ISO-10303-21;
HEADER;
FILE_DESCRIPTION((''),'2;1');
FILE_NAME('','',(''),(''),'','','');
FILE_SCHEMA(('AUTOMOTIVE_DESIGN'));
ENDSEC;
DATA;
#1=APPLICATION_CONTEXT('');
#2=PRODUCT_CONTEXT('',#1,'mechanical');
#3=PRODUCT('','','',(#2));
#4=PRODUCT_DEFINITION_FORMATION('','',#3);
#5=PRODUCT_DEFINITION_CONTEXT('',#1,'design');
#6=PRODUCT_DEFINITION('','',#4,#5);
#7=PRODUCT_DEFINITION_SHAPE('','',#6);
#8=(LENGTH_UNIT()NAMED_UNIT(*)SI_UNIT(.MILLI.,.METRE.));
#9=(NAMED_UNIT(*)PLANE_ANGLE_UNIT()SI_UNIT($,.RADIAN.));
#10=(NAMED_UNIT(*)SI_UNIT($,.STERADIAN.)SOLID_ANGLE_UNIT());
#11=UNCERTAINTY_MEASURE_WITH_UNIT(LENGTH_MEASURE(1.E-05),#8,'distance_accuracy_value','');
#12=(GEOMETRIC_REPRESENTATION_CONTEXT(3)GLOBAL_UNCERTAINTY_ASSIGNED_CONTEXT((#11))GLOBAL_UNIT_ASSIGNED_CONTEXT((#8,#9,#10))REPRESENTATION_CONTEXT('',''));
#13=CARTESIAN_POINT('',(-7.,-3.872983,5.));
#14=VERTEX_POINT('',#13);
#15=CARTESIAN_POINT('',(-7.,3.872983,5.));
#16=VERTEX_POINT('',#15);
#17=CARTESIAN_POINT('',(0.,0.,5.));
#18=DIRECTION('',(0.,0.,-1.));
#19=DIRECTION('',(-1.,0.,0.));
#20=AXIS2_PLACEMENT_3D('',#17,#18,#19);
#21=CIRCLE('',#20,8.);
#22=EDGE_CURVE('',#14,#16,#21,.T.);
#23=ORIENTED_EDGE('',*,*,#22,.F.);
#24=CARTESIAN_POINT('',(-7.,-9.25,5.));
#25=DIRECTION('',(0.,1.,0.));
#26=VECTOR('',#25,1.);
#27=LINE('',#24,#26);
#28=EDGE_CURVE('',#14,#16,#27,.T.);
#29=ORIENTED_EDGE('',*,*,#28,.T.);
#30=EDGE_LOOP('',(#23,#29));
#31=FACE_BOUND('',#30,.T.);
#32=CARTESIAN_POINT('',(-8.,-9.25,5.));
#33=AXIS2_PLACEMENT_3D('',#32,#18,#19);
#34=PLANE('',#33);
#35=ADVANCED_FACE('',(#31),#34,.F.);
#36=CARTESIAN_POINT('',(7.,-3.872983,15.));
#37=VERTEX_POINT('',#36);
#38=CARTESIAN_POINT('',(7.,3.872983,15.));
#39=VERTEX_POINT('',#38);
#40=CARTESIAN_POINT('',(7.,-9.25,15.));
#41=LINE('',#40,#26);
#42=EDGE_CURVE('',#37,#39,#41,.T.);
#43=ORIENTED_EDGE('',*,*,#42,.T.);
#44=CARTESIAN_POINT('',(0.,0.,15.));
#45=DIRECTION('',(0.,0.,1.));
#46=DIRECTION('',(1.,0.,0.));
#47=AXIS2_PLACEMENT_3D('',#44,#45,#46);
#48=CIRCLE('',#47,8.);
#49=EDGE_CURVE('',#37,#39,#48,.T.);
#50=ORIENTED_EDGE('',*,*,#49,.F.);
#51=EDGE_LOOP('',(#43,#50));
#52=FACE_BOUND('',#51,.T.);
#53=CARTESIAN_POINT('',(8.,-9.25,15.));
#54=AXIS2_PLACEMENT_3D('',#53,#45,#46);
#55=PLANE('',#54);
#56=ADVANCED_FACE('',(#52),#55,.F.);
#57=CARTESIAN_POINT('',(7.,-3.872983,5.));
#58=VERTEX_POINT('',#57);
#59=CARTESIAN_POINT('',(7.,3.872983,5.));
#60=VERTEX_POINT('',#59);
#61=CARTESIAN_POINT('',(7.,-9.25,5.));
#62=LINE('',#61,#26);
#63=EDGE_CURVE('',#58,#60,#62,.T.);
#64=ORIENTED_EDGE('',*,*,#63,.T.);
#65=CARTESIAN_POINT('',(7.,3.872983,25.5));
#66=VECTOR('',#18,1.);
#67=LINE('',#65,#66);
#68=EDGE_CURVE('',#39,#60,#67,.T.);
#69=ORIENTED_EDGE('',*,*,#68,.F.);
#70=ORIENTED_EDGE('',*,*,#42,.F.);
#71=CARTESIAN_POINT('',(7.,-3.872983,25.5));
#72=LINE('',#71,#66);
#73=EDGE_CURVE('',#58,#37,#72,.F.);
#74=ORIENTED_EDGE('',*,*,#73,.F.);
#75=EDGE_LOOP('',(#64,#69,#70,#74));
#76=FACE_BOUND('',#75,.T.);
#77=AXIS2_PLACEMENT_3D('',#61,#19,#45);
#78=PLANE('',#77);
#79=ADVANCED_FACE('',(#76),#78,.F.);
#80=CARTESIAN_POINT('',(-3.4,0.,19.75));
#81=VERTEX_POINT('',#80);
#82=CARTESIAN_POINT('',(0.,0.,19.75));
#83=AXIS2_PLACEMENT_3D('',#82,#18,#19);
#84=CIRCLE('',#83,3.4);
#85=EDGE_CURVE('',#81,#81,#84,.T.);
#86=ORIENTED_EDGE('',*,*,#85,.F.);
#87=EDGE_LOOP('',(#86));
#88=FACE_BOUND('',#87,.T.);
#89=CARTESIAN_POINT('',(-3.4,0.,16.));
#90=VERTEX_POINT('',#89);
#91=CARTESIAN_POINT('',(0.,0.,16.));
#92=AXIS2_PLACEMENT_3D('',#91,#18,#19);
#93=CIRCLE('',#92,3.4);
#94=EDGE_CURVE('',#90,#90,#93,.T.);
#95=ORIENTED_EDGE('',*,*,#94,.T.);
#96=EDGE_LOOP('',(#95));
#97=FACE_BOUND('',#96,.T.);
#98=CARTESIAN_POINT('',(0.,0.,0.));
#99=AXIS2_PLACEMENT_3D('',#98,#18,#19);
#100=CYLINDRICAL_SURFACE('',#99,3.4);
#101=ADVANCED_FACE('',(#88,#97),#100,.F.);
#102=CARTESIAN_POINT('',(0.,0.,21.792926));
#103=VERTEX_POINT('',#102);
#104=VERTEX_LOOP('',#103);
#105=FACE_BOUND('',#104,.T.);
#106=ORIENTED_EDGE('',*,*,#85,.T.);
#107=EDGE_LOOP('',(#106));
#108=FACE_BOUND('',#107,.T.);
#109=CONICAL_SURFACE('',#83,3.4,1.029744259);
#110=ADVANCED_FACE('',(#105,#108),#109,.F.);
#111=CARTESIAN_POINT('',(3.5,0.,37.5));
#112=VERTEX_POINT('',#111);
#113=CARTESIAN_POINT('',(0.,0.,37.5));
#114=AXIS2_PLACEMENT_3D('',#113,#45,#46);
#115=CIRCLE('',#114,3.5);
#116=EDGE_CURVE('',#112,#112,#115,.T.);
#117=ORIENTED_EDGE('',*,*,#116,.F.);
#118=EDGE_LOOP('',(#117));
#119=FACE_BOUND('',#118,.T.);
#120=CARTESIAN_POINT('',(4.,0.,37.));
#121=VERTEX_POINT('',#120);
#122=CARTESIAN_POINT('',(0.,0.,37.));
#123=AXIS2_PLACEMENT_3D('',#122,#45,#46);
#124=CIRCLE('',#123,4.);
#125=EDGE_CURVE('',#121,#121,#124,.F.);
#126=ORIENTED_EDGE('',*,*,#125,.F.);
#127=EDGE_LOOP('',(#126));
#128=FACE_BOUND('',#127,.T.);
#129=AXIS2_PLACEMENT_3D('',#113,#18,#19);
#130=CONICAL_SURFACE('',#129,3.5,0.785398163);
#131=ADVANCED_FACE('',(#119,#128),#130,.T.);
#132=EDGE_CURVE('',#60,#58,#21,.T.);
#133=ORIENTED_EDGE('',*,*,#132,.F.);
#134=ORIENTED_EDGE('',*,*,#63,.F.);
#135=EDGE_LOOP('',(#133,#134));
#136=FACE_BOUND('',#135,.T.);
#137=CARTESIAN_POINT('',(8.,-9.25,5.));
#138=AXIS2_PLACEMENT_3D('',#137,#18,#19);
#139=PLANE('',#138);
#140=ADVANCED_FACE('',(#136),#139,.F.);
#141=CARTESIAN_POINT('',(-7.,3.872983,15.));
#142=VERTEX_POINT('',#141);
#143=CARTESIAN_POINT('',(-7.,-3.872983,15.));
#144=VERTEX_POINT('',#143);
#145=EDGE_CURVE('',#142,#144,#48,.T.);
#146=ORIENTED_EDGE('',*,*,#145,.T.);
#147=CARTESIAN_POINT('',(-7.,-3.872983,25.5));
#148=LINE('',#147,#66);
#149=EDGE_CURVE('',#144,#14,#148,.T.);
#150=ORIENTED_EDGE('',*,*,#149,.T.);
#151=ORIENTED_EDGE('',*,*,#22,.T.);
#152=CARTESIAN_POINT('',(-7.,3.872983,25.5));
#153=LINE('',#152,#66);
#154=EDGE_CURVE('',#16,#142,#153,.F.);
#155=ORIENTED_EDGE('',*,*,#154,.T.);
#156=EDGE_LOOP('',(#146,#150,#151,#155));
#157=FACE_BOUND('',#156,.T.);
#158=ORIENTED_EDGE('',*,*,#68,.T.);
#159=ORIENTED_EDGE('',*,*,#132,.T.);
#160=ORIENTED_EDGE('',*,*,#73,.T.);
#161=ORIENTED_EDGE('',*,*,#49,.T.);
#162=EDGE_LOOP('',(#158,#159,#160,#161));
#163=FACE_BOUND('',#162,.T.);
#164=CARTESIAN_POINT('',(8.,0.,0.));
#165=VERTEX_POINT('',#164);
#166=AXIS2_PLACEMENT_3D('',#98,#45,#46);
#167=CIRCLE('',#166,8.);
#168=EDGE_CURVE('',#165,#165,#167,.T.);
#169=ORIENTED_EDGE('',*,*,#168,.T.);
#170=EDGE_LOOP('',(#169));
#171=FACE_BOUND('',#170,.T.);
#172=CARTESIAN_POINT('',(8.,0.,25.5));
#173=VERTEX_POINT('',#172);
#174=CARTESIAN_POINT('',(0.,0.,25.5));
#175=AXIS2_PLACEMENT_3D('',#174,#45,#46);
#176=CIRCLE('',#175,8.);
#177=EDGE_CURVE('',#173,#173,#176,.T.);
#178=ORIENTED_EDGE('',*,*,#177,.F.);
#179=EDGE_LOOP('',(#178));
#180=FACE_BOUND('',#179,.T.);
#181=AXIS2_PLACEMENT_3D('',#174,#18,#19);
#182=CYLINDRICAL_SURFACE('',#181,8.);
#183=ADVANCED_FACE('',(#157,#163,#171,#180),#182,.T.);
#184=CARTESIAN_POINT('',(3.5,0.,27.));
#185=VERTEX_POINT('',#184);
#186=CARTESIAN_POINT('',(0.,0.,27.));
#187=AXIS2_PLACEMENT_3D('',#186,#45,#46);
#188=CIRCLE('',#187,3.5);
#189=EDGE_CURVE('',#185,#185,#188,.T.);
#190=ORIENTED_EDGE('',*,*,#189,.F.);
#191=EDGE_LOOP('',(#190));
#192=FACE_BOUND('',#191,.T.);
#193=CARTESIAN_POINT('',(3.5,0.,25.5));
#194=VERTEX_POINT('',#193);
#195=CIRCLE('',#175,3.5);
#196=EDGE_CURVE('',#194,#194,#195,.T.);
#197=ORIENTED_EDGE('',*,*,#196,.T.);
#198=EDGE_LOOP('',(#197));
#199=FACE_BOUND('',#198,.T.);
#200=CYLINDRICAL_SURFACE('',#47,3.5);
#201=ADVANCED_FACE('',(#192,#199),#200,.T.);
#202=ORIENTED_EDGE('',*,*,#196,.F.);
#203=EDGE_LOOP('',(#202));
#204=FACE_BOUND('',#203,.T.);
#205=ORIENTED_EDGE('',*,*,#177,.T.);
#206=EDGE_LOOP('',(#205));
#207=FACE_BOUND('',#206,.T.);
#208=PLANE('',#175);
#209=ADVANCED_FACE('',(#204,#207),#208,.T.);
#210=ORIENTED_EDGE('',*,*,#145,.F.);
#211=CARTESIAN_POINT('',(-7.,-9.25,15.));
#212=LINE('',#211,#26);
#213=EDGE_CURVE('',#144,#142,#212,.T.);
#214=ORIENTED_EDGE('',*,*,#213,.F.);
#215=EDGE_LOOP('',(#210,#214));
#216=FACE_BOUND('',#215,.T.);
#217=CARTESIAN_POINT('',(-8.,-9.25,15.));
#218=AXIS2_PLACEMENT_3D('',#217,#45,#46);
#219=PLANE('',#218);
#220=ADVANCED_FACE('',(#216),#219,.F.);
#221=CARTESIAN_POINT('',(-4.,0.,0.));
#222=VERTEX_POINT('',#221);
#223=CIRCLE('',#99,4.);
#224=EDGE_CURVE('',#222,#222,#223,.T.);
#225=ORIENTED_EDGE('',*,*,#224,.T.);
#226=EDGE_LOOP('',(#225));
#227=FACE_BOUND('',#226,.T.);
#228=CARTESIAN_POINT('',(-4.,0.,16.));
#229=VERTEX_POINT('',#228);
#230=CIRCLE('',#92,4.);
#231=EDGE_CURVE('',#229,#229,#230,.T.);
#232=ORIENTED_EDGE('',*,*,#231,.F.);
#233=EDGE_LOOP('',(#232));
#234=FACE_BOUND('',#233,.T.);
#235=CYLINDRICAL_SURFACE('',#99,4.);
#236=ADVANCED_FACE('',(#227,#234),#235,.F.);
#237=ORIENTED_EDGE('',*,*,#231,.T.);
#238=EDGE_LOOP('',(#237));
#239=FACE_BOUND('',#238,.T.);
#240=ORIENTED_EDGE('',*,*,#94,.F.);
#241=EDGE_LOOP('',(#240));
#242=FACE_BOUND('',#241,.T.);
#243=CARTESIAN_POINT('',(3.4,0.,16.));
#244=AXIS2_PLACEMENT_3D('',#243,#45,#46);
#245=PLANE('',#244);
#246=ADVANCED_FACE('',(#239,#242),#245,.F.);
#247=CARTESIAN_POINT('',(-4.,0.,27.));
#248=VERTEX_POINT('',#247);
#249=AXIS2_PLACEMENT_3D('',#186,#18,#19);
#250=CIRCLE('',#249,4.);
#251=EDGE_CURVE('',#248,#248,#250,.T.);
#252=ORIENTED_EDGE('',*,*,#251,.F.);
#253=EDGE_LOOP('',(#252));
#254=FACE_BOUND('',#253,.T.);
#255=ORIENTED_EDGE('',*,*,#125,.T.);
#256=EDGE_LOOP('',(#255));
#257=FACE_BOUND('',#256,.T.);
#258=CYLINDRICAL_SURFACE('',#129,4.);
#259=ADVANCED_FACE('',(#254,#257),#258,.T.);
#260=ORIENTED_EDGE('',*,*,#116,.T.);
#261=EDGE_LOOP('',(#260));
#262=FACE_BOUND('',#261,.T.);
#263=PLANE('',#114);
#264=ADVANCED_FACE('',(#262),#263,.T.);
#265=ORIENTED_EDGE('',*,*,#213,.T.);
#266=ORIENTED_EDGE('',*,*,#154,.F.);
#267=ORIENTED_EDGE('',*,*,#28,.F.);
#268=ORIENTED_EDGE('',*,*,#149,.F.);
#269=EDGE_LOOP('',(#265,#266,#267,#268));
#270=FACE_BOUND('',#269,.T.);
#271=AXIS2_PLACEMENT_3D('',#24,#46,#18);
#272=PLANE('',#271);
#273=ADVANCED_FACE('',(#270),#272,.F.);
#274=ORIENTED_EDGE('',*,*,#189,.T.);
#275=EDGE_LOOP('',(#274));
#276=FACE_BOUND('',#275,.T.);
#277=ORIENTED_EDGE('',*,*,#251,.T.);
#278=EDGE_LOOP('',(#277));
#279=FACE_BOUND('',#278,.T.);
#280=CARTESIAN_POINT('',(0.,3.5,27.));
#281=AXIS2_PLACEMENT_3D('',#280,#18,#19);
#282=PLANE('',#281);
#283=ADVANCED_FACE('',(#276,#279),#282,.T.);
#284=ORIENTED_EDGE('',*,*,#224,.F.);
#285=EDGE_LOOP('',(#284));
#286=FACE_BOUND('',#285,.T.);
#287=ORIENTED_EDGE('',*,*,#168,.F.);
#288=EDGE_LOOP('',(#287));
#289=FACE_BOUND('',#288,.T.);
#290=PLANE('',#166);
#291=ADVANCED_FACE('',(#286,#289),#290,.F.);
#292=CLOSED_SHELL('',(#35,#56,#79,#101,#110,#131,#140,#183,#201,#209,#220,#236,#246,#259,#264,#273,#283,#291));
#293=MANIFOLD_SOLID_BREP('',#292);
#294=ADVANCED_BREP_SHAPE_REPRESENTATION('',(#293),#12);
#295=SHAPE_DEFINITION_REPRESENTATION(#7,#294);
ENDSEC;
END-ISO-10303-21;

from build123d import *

# Parameters (mm, degrees)
SKETCH_1_R                   = 8
EXTRUDE_1_DEPTH              = 25.5
SKETCH_2_W                   = 1
SKETCH_2_H                   = 10
CUT_EXTRUDE_2_DEPTH          = 9.25
HOLE_WIZARD_M8_1_D           = 6.8
HOLE_WIZARD_M8_1_DEPTH       = 19.75
HOLE_WIZARD_M8_1_CBORE_D     = 8
HOLE_WIZARD_M8_1_CBORE_DEPTH = 16
HOLE_WIZARD_M8_1_TIP         = 2.042926105
SKETCH_4_R                   = 4
EXTRUDE_3_DEPTH              = 12
CHAMFER_1_SIZE               = 0.5
SKETCH_5_W                   = 1.5
SKETCH_5_H                   = 0.930014358


with BuildPart() as part:
    # 草图1 → 拉伸1 (new body)
    with BuildSketch(Plane.XY):
        Circle(SKETCH_1_R)
    extrude(amount=EXTRUDE_1_DEPTH)

    # 草图2 → 拉伸2 (cut, symmetric)
    with BuildSketch(Plane(origin=(0, 0, 0), x_dir=(1, 0, 0), z_dir=(0, 1, 0))):
        with Locations((-7.5, -10)):
            Rectangle(SKETCH_2_W, SKETCH_2_H)
        with Locations((7.5, -10)):
            Rectangle(SKETCH_2_W, SKETCH_2_H)
    extrude(amount=CUT_EXTRUDE_2_DEPTH, both=True, mode=Mode.SUBTRACT)

    # M8 螺纹孔1
    with Locations(Plane(origin=(0, 0, 0), x_dir=(-1, 0, 0), z_dir=(0, 0, -1))):
        with Locations((0, 0)):
            CounterBoreHole(HOLE_WIZARD_M8_1_D / 2, HOLE_WIZARD_M8_1_CBORE_D / 2, HOLE_WIZARD_M8_1_CBORE_DEPTH, depth=HOLE_WIZARD_M8_1_DEPTH)
            with Locations((0, 0, -(HOLE_WIZARD_M8_1_DEPTH + HOLE_WIZARD_M8_1_TIP / 2))):  # 118° drill point
                Cone(0, HOLE_WIZARD_M8_1_D / 2, HOLE_WIZARD_M8_1_TIP, mode=Mode.SUBTRACT)

    # 草图4 → 拉伸3 (add)
    with BuildSketch(Plane.XY.offset(25.5)):
        with Locations(Location((0, 0, 0), (0, 0, 180))):
            Circle(SKETCH_4_R)
    extrude(amount=EXTRUDE_3_DEPTH)

    # 倒角1
    chamfer_1_edges = [part.edges().sort_by_distance(p)[0] for p in [
        (4, 0, 37.5),
    ]]
    chamfer(chamfer_1_edges, length=CHAMFER_1_SIZE)

    # 草图5 → 切除-旋转1 (revolve, cut)
    with BuildSketch(Plane(origin=(0, 0, 0), x_dir=(0, 0, -1), z_dir=(1, 0, 0)), mode=Mode.PRIVATE) as cut_revolve_1_sk:
        with Locations((-26.25, 3.965007179)):
            Rectangle(SKETCH_5_W, SKETCH_5_H)
    revolve(cut_revolve_1_sk.sketch.rotate(Axis((0, 0, 25.5), (0, 0, -1)), 270), axis=Axis((0, 0, 25.5), (0, 0, -1)), mode=Mode.SUBTRACT)


solid = part.part
